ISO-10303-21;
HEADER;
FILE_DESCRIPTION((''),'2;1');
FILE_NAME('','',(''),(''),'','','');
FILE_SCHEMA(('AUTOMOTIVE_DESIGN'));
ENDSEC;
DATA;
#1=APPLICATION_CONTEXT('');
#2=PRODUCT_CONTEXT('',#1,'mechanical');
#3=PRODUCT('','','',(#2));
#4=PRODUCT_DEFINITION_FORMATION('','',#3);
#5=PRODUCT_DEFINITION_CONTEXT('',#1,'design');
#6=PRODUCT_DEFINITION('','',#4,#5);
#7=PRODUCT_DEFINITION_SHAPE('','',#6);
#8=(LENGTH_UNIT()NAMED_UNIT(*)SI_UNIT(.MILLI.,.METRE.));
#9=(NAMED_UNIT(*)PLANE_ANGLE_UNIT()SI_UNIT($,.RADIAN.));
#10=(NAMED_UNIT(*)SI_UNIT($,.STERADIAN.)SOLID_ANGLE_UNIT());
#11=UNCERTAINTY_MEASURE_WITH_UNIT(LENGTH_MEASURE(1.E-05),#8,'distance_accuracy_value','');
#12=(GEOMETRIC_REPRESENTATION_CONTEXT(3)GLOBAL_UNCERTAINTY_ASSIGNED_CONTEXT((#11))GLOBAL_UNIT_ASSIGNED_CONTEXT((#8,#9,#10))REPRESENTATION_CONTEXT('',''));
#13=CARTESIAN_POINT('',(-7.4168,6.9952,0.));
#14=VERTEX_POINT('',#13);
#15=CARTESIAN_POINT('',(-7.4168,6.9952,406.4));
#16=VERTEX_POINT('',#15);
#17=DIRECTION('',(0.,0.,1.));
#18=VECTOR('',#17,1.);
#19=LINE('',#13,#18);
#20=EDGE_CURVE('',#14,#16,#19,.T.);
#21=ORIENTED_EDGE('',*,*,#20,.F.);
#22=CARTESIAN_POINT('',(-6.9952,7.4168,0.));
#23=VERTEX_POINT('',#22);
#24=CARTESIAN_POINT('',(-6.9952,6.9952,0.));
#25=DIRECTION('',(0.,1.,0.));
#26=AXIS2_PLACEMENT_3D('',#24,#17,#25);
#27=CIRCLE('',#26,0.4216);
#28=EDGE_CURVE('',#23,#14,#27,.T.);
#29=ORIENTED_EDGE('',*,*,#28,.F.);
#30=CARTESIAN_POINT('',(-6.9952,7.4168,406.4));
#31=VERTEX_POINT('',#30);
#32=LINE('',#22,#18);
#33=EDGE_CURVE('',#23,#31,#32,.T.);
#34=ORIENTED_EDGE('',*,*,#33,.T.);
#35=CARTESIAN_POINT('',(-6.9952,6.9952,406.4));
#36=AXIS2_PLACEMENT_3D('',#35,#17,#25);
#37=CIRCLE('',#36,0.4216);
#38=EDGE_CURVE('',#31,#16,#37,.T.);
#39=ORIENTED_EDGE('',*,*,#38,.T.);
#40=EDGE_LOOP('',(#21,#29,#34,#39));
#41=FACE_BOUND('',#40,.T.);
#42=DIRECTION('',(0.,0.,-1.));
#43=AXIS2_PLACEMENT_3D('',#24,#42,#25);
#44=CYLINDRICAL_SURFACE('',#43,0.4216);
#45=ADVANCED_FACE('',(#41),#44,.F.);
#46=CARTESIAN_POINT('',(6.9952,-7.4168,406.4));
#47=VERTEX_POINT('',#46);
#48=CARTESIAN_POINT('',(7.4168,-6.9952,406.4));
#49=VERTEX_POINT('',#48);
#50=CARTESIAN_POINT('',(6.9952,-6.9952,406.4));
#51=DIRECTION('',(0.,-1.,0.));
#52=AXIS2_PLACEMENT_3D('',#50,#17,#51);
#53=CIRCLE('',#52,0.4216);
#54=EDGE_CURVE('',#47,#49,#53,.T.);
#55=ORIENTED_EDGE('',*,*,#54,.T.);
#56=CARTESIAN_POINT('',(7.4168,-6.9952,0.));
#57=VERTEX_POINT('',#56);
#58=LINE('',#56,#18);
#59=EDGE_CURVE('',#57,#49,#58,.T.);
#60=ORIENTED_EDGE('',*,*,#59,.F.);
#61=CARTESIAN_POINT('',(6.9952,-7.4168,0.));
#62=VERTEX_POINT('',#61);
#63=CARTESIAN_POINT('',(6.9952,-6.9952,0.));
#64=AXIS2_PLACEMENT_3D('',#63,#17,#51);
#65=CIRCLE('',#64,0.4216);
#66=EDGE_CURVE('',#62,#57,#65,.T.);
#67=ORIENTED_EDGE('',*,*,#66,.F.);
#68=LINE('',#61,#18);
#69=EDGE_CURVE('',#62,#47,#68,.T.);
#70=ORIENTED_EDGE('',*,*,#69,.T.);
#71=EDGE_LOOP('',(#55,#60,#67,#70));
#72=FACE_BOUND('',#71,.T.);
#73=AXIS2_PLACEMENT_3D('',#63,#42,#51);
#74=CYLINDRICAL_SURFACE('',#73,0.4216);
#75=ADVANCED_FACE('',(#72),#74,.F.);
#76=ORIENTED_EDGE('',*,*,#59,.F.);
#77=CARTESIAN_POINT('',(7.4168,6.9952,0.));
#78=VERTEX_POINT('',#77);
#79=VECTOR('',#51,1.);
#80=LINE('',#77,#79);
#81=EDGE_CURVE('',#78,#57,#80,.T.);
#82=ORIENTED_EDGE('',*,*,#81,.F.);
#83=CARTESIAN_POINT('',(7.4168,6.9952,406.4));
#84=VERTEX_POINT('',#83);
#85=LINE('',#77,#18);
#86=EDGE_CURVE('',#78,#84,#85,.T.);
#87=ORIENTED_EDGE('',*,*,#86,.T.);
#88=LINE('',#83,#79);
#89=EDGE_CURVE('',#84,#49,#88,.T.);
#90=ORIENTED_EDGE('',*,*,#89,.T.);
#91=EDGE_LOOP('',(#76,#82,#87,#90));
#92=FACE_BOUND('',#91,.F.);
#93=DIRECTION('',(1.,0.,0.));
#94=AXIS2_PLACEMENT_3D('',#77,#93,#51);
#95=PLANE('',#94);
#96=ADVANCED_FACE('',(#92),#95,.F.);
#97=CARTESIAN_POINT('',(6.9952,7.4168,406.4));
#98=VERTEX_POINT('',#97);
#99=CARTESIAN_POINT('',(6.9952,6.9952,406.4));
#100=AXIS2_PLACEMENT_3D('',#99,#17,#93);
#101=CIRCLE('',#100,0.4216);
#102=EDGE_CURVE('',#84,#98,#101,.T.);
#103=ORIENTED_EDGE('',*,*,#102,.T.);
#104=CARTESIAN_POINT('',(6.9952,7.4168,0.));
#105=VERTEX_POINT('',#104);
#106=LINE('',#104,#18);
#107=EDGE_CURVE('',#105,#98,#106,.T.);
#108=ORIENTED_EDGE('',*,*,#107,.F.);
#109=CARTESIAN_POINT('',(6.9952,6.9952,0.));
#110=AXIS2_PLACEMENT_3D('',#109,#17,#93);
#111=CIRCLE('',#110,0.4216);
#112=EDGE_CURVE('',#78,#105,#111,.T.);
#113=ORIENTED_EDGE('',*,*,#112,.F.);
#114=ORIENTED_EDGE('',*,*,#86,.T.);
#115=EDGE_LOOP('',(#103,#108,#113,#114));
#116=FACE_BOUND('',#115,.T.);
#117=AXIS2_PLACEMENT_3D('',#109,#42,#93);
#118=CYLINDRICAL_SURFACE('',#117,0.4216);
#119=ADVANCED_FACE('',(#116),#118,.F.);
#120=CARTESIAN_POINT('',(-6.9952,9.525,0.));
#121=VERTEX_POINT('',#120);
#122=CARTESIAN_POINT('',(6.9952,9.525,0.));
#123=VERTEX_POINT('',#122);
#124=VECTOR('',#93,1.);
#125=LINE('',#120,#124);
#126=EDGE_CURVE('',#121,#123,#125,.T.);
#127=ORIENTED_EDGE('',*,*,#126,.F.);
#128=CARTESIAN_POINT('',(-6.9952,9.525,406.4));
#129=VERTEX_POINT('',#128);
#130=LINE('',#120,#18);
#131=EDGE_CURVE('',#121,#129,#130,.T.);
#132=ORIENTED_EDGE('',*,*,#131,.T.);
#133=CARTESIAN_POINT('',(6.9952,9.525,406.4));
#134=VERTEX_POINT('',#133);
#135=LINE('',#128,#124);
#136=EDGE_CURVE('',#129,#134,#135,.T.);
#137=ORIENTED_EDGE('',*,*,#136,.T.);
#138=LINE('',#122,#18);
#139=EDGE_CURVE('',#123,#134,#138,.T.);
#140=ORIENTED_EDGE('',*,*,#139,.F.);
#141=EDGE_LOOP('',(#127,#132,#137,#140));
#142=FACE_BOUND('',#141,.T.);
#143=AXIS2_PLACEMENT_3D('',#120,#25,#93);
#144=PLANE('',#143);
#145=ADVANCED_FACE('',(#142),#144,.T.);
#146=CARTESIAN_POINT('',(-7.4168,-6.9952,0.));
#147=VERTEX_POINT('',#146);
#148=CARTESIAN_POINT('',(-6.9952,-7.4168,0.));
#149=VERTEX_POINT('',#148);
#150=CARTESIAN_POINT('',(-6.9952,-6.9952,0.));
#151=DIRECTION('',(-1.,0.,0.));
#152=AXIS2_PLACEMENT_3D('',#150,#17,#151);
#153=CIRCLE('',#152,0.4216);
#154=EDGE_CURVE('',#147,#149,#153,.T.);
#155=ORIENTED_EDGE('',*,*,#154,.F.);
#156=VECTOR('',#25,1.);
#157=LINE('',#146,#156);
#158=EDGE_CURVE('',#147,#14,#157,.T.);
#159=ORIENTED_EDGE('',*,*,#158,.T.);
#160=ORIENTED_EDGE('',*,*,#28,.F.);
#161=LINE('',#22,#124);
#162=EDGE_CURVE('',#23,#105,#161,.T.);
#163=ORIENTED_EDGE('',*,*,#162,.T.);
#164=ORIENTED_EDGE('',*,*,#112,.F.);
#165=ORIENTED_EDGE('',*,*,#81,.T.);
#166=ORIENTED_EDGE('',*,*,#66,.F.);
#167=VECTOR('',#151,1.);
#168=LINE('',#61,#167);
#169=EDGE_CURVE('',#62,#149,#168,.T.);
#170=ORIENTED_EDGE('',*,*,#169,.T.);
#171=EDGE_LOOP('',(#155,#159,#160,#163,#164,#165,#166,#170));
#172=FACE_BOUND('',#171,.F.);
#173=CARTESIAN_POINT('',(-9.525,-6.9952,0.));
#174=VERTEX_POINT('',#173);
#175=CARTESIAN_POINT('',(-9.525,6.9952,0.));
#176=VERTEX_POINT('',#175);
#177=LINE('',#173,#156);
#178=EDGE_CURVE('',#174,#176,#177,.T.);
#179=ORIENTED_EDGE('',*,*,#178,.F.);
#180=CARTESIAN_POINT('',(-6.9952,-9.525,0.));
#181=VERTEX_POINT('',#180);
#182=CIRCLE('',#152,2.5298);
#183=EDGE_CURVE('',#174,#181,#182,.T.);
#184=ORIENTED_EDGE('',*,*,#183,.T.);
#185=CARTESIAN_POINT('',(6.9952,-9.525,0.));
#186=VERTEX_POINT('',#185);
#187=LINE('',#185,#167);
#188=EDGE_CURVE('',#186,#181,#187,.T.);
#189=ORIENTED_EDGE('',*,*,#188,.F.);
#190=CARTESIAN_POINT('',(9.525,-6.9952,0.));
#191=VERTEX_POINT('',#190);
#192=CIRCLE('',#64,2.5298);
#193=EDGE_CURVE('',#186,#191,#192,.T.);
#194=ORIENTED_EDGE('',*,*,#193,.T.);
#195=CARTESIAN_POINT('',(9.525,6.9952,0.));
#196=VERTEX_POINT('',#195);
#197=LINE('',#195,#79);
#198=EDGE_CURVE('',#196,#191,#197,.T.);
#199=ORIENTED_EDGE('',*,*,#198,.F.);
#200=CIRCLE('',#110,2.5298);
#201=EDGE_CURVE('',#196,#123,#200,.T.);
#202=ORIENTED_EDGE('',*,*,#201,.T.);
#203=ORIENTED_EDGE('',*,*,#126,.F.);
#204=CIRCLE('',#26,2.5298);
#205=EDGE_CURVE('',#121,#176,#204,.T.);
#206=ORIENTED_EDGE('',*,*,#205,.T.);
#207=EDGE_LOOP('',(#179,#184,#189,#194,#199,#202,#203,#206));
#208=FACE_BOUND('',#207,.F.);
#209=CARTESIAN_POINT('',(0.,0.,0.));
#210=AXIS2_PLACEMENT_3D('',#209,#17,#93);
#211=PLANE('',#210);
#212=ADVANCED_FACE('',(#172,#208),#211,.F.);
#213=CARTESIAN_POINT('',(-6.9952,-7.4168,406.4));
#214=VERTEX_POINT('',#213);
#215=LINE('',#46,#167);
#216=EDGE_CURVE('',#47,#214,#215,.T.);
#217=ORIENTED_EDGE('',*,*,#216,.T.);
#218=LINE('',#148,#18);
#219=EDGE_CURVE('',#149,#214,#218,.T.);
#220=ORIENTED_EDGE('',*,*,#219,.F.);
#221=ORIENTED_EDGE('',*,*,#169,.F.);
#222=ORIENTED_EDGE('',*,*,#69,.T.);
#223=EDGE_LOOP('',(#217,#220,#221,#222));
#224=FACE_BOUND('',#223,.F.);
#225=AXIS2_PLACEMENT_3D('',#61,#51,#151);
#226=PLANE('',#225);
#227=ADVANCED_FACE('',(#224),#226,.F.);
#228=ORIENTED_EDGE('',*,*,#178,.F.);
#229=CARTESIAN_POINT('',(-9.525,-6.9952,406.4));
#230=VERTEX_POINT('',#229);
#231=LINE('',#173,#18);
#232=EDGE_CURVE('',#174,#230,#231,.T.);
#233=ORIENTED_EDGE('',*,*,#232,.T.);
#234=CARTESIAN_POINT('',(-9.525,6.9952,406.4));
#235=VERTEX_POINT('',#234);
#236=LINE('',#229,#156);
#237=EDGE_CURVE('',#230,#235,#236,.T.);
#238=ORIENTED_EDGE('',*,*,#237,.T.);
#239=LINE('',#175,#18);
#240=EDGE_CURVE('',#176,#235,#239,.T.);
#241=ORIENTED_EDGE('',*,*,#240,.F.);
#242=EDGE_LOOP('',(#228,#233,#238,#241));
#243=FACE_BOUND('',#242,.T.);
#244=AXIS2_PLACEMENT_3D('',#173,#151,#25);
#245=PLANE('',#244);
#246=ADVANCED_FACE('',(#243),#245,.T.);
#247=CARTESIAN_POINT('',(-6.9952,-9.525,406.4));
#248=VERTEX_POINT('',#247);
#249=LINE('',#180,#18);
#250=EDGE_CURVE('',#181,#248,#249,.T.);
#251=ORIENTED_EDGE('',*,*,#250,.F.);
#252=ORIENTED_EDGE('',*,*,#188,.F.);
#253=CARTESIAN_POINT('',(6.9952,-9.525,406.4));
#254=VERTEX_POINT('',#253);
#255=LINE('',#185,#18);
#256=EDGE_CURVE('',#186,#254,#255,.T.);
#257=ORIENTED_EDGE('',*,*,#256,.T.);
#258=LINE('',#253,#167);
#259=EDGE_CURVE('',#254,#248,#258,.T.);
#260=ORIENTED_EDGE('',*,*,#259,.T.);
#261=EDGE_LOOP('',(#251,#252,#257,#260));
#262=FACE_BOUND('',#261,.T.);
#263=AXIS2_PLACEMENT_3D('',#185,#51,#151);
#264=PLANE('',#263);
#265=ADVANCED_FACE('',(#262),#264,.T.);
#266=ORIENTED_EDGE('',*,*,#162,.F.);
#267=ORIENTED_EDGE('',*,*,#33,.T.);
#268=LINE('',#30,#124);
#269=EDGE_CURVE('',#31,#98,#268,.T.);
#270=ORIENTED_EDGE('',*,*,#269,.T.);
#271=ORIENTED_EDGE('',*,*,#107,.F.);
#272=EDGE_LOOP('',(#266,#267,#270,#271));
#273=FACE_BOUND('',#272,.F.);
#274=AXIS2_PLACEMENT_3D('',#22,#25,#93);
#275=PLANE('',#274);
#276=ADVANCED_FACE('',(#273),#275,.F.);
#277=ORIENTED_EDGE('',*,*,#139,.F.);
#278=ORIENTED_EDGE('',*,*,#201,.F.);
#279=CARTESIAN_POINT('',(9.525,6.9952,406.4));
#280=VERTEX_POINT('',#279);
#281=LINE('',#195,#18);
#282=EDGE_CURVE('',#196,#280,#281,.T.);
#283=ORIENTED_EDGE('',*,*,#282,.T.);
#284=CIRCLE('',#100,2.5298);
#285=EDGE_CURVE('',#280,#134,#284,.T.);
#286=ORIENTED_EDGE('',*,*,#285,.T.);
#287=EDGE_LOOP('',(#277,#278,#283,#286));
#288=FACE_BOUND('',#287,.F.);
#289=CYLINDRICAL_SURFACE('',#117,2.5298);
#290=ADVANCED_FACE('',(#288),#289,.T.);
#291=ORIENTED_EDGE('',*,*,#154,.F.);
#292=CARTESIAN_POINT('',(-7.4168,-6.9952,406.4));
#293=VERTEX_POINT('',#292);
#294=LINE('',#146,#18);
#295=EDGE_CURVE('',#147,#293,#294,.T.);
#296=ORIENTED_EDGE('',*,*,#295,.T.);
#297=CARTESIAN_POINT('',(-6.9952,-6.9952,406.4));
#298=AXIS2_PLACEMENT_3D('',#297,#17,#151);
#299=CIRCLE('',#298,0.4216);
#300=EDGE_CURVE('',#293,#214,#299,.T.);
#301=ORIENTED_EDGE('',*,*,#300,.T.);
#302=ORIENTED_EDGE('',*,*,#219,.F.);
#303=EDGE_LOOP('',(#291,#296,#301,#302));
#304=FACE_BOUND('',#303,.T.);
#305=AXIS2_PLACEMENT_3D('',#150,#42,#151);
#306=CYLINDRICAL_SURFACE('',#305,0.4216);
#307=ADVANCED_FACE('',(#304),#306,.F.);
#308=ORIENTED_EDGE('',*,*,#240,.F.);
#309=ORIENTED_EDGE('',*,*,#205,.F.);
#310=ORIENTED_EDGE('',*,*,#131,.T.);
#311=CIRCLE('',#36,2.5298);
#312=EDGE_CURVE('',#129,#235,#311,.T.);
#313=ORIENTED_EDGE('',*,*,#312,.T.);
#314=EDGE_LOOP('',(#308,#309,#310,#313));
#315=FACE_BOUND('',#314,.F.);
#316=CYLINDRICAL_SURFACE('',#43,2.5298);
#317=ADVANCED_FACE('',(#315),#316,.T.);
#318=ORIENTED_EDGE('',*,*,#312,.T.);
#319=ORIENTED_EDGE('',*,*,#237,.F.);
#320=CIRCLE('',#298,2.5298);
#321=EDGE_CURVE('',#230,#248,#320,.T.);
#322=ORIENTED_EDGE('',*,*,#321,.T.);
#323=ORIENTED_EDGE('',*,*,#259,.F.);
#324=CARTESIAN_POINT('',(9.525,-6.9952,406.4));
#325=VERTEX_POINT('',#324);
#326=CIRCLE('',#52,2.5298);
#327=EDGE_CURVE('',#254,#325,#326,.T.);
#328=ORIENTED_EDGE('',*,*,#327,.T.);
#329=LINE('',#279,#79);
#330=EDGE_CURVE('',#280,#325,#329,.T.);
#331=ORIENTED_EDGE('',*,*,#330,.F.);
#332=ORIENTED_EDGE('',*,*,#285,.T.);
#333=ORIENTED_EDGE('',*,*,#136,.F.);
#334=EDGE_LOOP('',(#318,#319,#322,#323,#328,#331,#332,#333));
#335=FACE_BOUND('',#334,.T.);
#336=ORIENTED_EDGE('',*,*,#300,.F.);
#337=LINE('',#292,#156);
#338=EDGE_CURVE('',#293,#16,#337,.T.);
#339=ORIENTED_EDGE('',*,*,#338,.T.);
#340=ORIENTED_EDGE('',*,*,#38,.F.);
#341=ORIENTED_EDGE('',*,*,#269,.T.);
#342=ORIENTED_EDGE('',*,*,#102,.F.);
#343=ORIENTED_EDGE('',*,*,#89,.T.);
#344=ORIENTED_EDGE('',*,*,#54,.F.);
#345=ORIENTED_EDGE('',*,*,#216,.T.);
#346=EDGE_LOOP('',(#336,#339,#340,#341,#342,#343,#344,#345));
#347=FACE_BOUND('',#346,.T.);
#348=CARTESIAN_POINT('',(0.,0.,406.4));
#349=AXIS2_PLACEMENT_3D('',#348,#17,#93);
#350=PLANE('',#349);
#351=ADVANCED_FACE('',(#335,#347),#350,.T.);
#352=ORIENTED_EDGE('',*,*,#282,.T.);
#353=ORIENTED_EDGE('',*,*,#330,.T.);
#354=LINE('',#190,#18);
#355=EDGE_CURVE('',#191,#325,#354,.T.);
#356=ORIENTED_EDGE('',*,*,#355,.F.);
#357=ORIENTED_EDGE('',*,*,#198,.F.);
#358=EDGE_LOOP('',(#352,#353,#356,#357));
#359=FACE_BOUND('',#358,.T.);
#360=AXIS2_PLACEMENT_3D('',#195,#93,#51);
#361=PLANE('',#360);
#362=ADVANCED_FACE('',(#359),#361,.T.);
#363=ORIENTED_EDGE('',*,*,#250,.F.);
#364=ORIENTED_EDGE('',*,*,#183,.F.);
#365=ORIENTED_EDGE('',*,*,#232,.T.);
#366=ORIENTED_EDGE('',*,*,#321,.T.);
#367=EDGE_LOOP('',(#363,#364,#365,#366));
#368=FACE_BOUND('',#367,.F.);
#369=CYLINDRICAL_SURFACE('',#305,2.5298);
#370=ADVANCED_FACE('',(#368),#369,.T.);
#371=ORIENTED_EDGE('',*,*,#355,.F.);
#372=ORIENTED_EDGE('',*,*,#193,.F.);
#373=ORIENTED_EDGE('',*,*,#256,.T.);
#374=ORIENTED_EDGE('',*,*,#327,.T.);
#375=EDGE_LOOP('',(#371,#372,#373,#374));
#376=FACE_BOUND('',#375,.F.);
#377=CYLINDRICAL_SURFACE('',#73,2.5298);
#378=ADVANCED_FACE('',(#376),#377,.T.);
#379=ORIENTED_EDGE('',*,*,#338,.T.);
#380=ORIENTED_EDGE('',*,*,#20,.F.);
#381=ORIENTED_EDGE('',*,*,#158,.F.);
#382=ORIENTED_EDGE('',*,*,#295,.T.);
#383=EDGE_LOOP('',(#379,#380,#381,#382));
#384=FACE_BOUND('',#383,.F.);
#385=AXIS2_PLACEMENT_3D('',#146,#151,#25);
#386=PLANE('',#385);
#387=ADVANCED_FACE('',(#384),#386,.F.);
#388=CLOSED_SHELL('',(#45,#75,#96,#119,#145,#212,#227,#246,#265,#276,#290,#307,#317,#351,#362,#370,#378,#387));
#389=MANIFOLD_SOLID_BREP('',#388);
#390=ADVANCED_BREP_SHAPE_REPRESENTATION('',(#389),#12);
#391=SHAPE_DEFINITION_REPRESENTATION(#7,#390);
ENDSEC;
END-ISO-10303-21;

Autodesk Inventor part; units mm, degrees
ref_plane "YZ Plane" through (0, 0, 0) normal (1, 0, 0) x (0, 1, 0)
ref_plane "Start plane" through (0, 0, 0) normal (0, 0, 1) x (1, 0, 0)
ref_plane "End plane" through (0, 0, 406.4) normal (0, 0, 1) x (1, 0, 0)
sketch "Sketch" plane through (0, 0, 0) normal (0, 0, 1) x (1, 0, 0)
  line L0 (-9.525, -6.9952) -> (-9.525, 6.9952)
  line L1 (-6.9952, 9.525) -> (6.9952, 9.525)
  line L2 (9.525, 6.9952) -> (9.525, -6.9952)
  line L3 (6.9952, -9.525) -> (-6.9952, -9.525)
  arc A0 (-9.525, -6.9952) -> (-6.9952, -9.525) centre (-6.9952, -6.9952) ccw
  arc A1 (-6.9952, 9.525) -> (-9.525, 6.9952) centre (-6.9952, 6.9952) ccw
  arc A2 (9.525, 6.9952) -> (6.9952, 9.525) centre (6.9952, 6.9952) ccw
  arc A3 (6.9952, -9.525) -> (9.525, -6.9952) centre (6.9952, -6.9952) ccw
  arc A4 (-6.9952, 7.4168) -> (-7.4168, 6.9952) centre (-6.9952, 6.9952) ccw
  line L4 (-6.9952, 7.4168) -> (6.9952, 7.4168)
  arc A5 (7.4168, 6.9952) -> (6.9952, 7.4168) centre (6.9952, 6.9952) ccw
  line L5 (7.4168, 6.9952) -> (7.4168, -6.9952)
  arc A6 (6.9952, -7.4168) -> (7.4168, -6.9952) centre (6.9952, -6.9952) ccw
  line L6 (6.9952, -7.4168) -> (-6.9952, -7.4168)
  arc A7 (-7.4168, -6.9952) -> (-6.9952, -7.4168) centre (-6.9952, -6.9952) ccw
  line L7 (-7.4168, -6.9952) -> (-7.4168, 6.9952)
  line L8 (0, 14.0685) -> (0, -14.0685) construction
  line L9 (-14.0685, 0) -> (14.0685, 0) construction
  dimension "d10" = 19.05
  dimension "d11" = 19.05
  dimension "d12" = 2.1082
  dimension "d15" = 9.525
  dimension "d16" = 9.525
  dimension "d17" = 2.5298
extrude "Body" add sketch "Sketch" along normal up to surface (406.4 mm away) from surface at 0
sketch "Sketch3" plane through (0, 0, 0) normal (0, 0, 1) x (1, 0, 0)
  line L0 (0, 0) -> (10, 0)
ref_plane "Work Plane3" through (0, 0, 0) normal (0, -1, 0) x (1, 0, 0)
sketch "Sketch4" plane through (0, 0, 0) normal (0, -1, 0) x (1, 0, 0)
  line L0 (-2, 0) -> (12, 0)
  line L1 (-2, 406.4) -> (12, 406.4)
  dimension "d19" = 406.4
equation "\"d10\" = G_H"
equation "\"d11\" = G_W"
equation "\"d12\" = G_T"
equation "\"d15\" = 0.5 * d10"
equation "\"d16\" = 0.5 * d11"
equation "\"d17\" = G_IR"
equation "\"d3\" = G_L"
equation "\"G_W\" = 19.05"
equation "\"G_H\" = 19.05"
equation "\"G_T\" = 2.1082"
equation "\"G_IR\" = 1.2 * G_T"
equation "\"G_L\" = d19"
equation "\"G_OFFSET_START\" = 0"
equation "\"G_OFFSET_END\" = 0"
equation "\"d14\" = G_OFFSET_END + B_L"
equation "\"B_L\" = 406.4"
properties part number "ASTM A513 - 3/4 x 3/4 x 83/1000 - 16" material "Steel, Mild"
